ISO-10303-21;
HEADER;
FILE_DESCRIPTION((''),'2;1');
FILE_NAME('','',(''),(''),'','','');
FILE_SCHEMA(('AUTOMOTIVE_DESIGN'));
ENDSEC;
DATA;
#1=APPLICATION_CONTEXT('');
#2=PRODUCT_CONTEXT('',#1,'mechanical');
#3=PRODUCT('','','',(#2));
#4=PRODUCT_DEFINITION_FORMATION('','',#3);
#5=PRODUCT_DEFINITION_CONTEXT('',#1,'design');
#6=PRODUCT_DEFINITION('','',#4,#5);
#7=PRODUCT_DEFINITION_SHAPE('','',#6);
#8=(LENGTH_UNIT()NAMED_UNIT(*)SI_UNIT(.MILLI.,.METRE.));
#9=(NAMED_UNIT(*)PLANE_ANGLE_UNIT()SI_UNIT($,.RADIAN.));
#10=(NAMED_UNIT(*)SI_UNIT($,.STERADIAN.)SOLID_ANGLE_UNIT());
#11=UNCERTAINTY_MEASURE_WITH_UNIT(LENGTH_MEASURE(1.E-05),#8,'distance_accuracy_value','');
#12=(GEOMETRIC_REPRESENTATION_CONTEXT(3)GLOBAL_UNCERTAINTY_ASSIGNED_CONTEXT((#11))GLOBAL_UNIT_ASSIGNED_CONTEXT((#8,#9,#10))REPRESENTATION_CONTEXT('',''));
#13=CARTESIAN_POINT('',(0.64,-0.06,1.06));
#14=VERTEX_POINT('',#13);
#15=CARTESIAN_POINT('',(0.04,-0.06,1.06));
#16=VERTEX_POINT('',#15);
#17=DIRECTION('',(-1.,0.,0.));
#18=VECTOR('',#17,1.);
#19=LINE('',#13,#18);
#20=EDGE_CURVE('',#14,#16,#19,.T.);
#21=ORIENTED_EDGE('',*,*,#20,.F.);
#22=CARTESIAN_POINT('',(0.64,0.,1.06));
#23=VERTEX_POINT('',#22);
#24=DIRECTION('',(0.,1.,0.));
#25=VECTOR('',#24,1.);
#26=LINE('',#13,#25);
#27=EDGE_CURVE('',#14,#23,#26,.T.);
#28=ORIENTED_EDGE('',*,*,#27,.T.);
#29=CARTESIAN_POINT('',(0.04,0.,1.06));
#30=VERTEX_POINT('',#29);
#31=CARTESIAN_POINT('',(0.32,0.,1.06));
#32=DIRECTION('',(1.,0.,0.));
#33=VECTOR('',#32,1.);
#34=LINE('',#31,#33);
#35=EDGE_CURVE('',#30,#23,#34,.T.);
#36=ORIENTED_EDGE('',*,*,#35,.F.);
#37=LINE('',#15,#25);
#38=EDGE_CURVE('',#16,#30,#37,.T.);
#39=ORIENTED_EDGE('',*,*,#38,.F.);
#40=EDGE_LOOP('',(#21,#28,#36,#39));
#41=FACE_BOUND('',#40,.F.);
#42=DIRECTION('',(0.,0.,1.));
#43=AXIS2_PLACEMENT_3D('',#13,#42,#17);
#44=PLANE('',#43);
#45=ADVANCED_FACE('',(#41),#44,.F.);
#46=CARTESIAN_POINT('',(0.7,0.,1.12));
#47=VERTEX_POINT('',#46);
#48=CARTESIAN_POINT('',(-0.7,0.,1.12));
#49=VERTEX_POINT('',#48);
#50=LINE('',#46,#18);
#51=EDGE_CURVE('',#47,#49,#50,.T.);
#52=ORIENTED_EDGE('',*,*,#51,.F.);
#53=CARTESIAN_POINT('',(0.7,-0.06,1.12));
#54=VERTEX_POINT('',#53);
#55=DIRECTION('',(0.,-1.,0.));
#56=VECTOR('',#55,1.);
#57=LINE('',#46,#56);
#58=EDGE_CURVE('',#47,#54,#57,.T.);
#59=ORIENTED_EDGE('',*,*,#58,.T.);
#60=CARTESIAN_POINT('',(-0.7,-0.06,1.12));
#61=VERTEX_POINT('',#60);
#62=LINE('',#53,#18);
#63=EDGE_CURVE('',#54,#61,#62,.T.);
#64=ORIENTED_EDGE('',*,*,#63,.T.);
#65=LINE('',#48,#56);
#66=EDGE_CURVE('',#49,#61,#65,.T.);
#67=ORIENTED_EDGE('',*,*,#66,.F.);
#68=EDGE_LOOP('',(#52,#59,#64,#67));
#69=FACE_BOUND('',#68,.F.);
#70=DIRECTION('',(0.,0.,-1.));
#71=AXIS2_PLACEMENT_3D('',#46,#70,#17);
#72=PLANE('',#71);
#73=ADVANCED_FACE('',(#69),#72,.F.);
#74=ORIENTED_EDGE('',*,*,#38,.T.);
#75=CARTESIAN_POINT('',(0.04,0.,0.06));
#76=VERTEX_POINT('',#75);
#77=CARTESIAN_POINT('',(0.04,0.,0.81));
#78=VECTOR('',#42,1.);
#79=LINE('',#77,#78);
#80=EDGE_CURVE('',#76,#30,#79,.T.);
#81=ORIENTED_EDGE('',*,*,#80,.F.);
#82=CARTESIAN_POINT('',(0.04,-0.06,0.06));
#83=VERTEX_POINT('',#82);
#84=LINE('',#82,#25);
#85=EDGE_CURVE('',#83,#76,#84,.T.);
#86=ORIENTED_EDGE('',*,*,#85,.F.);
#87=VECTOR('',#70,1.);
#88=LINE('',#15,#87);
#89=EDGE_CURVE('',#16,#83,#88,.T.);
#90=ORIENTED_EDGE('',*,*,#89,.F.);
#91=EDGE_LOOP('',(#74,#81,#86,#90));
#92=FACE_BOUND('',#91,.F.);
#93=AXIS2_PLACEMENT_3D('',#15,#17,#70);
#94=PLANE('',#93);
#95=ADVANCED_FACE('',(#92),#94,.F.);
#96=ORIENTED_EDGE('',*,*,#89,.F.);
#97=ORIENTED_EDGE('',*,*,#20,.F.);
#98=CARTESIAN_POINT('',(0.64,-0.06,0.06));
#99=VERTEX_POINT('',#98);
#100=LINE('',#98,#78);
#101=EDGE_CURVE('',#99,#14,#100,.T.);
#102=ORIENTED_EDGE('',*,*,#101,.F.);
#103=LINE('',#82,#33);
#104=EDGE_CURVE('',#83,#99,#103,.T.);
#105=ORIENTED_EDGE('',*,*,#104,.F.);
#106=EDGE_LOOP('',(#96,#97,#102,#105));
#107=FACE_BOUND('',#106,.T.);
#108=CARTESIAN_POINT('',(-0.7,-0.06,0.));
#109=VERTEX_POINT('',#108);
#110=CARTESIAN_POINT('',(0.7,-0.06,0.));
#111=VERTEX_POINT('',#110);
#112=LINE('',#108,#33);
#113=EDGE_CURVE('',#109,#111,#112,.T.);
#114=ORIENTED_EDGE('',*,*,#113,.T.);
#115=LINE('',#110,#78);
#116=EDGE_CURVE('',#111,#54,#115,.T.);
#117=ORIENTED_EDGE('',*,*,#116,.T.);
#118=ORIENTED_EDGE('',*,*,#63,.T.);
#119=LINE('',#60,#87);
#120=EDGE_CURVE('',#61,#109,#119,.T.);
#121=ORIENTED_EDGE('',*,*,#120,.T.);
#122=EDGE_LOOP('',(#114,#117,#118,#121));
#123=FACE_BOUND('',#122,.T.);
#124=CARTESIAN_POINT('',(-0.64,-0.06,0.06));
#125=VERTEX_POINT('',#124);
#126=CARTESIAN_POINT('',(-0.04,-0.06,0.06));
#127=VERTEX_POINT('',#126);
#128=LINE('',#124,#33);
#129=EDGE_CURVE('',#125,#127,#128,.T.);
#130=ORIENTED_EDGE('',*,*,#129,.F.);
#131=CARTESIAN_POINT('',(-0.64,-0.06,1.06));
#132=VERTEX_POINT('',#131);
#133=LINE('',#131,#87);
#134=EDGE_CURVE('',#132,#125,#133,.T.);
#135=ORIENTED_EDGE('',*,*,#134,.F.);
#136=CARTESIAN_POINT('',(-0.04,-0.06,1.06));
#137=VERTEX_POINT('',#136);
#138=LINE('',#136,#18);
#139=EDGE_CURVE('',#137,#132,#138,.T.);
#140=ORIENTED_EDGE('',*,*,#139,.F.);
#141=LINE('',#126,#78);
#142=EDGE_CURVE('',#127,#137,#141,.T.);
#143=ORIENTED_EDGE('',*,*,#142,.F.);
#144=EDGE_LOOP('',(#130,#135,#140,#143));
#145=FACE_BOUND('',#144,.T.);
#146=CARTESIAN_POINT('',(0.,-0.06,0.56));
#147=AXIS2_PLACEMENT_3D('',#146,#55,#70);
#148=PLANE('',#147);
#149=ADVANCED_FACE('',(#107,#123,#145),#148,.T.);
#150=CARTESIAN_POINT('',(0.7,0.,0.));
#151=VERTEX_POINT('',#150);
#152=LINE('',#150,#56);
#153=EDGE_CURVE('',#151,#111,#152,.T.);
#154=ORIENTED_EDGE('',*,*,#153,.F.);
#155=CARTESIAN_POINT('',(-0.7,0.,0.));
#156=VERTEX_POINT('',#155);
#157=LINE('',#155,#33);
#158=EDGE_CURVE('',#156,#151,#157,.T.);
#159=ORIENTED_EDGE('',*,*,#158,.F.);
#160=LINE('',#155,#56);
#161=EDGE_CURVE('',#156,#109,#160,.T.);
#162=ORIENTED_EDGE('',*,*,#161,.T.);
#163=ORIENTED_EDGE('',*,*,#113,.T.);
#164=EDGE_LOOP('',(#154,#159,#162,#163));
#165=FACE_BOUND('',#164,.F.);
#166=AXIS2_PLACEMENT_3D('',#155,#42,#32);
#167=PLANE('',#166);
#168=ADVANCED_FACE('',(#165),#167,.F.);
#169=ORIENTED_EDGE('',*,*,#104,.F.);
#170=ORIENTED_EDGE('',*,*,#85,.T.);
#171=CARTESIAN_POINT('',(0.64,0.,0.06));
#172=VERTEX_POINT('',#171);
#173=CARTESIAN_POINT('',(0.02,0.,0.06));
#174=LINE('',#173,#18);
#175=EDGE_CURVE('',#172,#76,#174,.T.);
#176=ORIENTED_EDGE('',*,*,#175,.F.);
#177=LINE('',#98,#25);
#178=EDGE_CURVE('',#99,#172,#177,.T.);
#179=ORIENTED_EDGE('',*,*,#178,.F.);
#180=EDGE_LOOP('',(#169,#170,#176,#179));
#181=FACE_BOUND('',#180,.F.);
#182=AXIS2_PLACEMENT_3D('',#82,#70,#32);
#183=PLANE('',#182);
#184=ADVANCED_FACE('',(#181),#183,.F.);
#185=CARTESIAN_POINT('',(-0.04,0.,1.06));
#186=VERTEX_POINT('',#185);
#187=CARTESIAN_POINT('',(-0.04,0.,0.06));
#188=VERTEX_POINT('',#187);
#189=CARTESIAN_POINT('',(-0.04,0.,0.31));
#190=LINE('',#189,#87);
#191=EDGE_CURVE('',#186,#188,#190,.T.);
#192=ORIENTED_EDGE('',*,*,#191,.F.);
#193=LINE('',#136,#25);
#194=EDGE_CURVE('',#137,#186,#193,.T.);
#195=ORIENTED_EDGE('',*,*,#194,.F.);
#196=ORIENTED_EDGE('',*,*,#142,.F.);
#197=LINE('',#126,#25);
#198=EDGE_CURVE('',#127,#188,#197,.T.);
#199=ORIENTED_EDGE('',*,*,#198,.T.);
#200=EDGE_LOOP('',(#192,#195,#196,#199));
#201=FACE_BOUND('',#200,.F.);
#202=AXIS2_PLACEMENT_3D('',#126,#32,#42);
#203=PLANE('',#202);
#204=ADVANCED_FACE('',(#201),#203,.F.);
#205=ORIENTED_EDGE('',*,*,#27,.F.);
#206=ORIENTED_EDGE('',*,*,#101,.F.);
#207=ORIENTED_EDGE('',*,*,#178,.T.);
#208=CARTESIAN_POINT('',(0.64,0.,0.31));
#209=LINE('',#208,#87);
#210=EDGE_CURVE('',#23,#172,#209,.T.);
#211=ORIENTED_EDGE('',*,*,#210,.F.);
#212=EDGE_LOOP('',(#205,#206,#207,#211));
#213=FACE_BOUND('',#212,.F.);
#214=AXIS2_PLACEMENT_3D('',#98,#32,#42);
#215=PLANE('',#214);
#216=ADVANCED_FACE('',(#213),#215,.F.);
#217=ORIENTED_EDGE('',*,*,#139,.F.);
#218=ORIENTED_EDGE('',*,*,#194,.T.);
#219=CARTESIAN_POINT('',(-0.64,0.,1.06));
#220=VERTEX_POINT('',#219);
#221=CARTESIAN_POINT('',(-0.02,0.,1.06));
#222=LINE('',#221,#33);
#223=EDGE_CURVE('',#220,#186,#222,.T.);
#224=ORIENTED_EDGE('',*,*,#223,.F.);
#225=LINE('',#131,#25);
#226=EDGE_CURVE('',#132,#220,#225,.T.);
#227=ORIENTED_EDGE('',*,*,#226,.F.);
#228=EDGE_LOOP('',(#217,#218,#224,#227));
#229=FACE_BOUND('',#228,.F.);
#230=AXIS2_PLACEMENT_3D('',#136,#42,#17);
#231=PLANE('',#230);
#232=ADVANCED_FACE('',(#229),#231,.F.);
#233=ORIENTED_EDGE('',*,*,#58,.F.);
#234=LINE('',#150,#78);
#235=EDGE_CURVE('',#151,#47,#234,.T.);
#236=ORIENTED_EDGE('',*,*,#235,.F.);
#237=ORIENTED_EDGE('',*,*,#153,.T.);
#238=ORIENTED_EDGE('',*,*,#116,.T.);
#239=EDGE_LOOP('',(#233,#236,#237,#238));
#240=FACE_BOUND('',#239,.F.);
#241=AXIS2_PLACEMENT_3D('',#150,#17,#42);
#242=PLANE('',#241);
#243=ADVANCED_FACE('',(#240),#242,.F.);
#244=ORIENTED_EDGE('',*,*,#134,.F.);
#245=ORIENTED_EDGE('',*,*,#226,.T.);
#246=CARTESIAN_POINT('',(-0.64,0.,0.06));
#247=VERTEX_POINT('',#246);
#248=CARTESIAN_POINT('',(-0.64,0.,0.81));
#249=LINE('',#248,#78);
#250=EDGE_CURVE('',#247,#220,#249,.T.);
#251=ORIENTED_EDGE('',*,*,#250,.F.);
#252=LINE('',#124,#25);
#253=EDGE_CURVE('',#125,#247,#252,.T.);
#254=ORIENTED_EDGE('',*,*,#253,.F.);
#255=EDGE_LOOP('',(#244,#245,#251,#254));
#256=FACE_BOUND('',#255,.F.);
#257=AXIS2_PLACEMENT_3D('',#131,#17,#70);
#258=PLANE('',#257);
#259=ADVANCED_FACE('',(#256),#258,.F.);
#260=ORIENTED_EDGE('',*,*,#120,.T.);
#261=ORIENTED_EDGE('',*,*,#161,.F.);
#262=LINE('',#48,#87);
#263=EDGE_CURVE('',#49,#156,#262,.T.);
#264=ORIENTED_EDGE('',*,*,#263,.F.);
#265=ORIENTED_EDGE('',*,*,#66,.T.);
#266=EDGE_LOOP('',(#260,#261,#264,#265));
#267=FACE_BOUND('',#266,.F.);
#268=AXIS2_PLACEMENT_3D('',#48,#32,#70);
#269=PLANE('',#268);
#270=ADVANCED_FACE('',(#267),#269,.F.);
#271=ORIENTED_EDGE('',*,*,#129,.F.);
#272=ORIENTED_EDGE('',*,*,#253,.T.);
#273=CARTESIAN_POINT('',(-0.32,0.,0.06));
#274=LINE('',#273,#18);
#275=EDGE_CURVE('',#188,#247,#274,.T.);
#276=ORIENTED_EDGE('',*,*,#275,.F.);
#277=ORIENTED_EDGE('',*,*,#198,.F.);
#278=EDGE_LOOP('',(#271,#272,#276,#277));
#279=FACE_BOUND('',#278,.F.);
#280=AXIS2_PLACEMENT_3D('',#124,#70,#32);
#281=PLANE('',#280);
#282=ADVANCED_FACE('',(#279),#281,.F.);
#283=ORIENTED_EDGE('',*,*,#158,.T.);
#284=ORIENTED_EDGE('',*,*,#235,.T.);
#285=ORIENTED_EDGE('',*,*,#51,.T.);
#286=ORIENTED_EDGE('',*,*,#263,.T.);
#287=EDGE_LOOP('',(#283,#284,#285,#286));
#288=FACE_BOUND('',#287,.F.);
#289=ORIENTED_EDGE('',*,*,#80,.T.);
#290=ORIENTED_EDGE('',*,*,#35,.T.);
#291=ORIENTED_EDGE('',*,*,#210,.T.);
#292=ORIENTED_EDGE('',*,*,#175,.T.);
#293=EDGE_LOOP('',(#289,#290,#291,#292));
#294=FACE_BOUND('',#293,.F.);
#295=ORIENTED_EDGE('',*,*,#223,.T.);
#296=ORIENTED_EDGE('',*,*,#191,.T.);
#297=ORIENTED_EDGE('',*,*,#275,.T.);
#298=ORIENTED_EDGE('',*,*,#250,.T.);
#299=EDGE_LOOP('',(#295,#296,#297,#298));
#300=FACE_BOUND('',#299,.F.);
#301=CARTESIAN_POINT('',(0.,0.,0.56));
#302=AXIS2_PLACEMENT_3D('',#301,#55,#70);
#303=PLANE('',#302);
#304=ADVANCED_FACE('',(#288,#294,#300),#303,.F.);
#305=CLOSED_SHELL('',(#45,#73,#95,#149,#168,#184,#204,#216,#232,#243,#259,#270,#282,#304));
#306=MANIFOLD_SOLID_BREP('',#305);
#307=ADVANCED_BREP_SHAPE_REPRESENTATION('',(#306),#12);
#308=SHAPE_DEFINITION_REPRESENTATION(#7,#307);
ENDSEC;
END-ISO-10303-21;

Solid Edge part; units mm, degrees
sketch "Sketch1" plane through (0, 0, 0) normal (0, -1, 0) x (1, 0, 0)
  line L0 (-0.7, 0) -> (0.7, 0)
  line L1 (0.7, 0) -> (0.7, 1.12)
  line L2 (0.7, 1.12) -> (-0.7, 1.12)
  line L3 (-0.7, 1.12) -> (-0.7, 0)
  dimension "D1" = 1.12
  dimension "D2" = 1.4
extrude "Protrusion1" add sketch "Sketch1" along normal blind 0.06
sketch "Sketch2" plane through (0, -0.06, 0.75) normal (0, -1, 0) x (1, 0, 0)
  line L0 (0.04, -0.69) -> (0.64, -0.69)
  line L1 (0.64, -0.69) -> (0.64, 0.31)
  line L2 (0.64, 0.31) -> (0.04, 0.31)
  line L3 (0.04, 0.31) -> (0.04, -0.69)
  line L4 (-0.64, -0.69) -> (-0.04, -0.69)
  line L5 (-0.04, -0.69) -> (-0.04, 0.31)
  line L6 (-0.04, 0.31) -> (-0.64, 0.31)
  line L7 (-0.64, 0.31) -> (-0.64, -0.69)
  dimension "D1" = 0.06
  dimension "D2" = 0.08
extrude "Cutout1" cut sketch "Sketch2" against normal up to next
